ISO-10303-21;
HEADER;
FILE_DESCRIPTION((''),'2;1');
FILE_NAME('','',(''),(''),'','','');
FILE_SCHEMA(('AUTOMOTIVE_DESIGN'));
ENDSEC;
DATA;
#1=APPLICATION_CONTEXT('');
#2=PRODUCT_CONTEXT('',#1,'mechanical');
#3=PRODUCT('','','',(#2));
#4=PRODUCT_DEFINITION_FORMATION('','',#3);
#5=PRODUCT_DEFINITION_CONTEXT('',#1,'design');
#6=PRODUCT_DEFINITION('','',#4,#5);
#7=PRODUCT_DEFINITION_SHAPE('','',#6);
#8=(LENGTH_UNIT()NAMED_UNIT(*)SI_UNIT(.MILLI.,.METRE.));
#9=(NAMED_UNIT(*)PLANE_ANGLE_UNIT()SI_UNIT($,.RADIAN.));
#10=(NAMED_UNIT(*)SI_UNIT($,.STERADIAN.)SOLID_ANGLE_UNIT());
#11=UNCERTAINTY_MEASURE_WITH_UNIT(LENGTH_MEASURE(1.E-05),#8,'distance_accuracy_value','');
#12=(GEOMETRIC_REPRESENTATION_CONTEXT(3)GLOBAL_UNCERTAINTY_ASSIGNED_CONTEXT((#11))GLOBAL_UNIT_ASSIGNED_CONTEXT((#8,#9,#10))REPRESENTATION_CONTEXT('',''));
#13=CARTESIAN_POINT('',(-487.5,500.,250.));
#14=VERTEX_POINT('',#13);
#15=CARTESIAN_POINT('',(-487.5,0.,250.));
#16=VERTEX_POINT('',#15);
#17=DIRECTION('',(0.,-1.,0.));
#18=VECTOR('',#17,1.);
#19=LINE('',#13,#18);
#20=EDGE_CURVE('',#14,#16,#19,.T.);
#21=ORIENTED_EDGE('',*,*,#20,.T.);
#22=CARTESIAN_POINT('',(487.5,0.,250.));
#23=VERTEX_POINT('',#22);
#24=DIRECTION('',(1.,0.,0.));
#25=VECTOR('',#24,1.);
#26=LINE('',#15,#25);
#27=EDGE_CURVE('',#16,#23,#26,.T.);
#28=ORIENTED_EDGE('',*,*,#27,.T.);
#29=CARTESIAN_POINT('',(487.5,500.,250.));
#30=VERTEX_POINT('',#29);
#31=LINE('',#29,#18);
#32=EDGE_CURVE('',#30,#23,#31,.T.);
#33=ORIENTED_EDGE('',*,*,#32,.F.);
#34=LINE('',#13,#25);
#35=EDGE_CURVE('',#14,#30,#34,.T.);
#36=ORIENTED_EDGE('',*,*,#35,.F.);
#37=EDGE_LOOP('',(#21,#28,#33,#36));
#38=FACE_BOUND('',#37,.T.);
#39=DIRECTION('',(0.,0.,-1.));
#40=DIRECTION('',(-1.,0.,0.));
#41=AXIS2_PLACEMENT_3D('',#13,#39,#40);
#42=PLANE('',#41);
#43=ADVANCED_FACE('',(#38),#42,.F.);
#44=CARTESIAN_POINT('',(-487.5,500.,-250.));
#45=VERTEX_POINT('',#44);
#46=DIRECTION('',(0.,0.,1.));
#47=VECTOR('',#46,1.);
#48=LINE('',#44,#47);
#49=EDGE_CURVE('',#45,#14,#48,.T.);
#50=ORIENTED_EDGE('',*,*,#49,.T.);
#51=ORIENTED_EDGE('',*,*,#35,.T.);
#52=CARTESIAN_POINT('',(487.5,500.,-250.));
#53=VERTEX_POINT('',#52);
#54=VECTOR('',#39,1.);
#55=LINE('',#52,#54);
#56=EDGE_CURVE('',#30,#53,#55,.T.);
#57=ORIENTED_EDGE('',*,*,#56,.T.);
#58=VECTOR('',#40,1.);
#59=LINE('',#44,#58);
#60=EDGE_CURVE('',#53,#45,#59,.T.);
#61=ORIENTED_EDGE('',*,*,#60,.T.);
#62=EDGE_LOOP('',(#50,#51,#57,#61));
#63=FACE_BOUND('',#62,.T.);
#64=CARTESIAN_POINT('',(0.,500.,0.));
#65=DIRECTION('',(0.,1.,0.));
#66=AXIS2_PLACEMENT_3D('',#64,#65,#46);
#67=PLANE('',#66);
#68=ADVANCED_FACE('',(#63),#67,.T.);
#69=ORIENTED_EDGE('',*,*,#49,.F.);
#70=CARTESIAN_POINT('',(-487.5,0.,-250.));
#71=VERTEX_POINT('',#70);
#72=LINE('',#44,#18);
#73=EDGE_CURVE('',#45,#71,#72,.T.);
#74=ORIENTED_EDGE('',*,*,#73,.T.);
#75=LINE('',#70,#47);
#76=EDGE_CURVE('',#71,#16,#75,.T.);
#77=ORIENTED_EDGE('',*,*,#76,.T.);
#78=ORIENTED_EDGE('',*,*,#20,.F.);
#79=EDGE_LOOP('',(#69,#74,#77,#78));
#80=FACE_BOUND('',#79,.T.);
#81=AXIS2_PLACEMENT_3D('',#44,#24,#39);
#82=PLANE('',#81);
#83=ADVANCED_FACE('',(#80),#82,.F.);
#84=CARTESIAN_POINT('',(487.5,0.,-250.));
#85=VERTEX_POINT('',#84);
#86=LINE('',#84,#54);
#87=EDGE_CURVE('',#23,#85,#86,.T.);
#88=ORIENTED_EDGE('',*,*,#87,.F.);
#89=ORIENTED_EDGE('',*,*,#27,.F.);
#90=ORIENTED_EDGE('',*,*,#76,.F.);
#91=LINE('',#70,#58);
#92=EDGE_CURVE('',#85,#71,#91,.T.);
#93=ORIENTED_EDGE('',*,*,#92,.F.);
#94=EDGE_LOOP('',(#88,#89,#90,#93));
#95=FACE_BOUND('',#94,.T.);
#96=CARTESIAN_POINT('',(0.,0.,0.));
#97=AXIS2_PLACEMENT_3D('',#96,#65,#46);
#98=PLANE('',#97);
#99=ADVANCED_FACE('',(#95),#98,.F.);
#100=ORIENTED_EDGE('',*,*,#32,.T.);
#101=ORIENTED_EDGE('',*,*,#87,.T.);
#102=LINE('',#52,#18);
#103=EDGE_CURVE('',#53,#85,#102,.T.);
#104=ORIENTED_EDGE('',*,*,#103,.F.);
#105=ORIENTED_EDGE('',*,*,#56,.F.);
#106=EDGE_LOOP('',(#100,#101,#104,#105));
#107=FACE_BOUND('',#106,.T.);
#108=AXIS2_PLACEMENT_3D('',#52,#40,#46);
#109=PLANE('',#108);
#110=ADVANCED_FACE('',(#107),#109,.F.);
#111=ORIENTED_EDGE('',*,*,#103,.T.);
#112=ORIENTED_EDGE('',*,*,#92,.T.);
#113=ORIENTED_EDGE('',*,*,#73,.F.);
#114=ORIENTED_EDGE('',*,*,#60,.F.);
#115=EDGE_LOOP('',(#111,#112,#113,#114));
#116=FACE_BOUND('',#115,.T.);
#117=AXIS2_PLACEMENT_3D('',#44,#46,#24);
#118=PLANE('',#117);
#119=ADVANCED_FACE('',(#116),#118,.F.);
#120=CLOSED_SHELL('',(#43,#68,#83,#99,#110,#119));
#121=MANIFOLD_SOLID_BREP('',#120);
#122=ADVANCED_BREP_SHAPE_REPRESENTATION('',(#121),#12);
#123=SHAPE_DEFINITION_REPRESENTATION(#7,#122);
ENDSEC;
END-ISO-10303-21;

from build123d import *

# Parameters (mm, degrees)
SKETCH1_W           = 975
SKETCH1_H           = 500
BOSS_EXTRUDE1_DEPTH = 500


with BuildPart() as part:
    # Sketch1 → Boss-Extrude1 (new body)
    with BuildSketch(Plane(origin=(0, 0, 0), x_dir=(1, 0, 0), z_dir=(0, 1, 0))):
        Rectangle(SKETCH1_W, SKETCH1_H)
    extrude(amount=BOSS_EXTRUDE1_DEPTH)


solid = part.part
